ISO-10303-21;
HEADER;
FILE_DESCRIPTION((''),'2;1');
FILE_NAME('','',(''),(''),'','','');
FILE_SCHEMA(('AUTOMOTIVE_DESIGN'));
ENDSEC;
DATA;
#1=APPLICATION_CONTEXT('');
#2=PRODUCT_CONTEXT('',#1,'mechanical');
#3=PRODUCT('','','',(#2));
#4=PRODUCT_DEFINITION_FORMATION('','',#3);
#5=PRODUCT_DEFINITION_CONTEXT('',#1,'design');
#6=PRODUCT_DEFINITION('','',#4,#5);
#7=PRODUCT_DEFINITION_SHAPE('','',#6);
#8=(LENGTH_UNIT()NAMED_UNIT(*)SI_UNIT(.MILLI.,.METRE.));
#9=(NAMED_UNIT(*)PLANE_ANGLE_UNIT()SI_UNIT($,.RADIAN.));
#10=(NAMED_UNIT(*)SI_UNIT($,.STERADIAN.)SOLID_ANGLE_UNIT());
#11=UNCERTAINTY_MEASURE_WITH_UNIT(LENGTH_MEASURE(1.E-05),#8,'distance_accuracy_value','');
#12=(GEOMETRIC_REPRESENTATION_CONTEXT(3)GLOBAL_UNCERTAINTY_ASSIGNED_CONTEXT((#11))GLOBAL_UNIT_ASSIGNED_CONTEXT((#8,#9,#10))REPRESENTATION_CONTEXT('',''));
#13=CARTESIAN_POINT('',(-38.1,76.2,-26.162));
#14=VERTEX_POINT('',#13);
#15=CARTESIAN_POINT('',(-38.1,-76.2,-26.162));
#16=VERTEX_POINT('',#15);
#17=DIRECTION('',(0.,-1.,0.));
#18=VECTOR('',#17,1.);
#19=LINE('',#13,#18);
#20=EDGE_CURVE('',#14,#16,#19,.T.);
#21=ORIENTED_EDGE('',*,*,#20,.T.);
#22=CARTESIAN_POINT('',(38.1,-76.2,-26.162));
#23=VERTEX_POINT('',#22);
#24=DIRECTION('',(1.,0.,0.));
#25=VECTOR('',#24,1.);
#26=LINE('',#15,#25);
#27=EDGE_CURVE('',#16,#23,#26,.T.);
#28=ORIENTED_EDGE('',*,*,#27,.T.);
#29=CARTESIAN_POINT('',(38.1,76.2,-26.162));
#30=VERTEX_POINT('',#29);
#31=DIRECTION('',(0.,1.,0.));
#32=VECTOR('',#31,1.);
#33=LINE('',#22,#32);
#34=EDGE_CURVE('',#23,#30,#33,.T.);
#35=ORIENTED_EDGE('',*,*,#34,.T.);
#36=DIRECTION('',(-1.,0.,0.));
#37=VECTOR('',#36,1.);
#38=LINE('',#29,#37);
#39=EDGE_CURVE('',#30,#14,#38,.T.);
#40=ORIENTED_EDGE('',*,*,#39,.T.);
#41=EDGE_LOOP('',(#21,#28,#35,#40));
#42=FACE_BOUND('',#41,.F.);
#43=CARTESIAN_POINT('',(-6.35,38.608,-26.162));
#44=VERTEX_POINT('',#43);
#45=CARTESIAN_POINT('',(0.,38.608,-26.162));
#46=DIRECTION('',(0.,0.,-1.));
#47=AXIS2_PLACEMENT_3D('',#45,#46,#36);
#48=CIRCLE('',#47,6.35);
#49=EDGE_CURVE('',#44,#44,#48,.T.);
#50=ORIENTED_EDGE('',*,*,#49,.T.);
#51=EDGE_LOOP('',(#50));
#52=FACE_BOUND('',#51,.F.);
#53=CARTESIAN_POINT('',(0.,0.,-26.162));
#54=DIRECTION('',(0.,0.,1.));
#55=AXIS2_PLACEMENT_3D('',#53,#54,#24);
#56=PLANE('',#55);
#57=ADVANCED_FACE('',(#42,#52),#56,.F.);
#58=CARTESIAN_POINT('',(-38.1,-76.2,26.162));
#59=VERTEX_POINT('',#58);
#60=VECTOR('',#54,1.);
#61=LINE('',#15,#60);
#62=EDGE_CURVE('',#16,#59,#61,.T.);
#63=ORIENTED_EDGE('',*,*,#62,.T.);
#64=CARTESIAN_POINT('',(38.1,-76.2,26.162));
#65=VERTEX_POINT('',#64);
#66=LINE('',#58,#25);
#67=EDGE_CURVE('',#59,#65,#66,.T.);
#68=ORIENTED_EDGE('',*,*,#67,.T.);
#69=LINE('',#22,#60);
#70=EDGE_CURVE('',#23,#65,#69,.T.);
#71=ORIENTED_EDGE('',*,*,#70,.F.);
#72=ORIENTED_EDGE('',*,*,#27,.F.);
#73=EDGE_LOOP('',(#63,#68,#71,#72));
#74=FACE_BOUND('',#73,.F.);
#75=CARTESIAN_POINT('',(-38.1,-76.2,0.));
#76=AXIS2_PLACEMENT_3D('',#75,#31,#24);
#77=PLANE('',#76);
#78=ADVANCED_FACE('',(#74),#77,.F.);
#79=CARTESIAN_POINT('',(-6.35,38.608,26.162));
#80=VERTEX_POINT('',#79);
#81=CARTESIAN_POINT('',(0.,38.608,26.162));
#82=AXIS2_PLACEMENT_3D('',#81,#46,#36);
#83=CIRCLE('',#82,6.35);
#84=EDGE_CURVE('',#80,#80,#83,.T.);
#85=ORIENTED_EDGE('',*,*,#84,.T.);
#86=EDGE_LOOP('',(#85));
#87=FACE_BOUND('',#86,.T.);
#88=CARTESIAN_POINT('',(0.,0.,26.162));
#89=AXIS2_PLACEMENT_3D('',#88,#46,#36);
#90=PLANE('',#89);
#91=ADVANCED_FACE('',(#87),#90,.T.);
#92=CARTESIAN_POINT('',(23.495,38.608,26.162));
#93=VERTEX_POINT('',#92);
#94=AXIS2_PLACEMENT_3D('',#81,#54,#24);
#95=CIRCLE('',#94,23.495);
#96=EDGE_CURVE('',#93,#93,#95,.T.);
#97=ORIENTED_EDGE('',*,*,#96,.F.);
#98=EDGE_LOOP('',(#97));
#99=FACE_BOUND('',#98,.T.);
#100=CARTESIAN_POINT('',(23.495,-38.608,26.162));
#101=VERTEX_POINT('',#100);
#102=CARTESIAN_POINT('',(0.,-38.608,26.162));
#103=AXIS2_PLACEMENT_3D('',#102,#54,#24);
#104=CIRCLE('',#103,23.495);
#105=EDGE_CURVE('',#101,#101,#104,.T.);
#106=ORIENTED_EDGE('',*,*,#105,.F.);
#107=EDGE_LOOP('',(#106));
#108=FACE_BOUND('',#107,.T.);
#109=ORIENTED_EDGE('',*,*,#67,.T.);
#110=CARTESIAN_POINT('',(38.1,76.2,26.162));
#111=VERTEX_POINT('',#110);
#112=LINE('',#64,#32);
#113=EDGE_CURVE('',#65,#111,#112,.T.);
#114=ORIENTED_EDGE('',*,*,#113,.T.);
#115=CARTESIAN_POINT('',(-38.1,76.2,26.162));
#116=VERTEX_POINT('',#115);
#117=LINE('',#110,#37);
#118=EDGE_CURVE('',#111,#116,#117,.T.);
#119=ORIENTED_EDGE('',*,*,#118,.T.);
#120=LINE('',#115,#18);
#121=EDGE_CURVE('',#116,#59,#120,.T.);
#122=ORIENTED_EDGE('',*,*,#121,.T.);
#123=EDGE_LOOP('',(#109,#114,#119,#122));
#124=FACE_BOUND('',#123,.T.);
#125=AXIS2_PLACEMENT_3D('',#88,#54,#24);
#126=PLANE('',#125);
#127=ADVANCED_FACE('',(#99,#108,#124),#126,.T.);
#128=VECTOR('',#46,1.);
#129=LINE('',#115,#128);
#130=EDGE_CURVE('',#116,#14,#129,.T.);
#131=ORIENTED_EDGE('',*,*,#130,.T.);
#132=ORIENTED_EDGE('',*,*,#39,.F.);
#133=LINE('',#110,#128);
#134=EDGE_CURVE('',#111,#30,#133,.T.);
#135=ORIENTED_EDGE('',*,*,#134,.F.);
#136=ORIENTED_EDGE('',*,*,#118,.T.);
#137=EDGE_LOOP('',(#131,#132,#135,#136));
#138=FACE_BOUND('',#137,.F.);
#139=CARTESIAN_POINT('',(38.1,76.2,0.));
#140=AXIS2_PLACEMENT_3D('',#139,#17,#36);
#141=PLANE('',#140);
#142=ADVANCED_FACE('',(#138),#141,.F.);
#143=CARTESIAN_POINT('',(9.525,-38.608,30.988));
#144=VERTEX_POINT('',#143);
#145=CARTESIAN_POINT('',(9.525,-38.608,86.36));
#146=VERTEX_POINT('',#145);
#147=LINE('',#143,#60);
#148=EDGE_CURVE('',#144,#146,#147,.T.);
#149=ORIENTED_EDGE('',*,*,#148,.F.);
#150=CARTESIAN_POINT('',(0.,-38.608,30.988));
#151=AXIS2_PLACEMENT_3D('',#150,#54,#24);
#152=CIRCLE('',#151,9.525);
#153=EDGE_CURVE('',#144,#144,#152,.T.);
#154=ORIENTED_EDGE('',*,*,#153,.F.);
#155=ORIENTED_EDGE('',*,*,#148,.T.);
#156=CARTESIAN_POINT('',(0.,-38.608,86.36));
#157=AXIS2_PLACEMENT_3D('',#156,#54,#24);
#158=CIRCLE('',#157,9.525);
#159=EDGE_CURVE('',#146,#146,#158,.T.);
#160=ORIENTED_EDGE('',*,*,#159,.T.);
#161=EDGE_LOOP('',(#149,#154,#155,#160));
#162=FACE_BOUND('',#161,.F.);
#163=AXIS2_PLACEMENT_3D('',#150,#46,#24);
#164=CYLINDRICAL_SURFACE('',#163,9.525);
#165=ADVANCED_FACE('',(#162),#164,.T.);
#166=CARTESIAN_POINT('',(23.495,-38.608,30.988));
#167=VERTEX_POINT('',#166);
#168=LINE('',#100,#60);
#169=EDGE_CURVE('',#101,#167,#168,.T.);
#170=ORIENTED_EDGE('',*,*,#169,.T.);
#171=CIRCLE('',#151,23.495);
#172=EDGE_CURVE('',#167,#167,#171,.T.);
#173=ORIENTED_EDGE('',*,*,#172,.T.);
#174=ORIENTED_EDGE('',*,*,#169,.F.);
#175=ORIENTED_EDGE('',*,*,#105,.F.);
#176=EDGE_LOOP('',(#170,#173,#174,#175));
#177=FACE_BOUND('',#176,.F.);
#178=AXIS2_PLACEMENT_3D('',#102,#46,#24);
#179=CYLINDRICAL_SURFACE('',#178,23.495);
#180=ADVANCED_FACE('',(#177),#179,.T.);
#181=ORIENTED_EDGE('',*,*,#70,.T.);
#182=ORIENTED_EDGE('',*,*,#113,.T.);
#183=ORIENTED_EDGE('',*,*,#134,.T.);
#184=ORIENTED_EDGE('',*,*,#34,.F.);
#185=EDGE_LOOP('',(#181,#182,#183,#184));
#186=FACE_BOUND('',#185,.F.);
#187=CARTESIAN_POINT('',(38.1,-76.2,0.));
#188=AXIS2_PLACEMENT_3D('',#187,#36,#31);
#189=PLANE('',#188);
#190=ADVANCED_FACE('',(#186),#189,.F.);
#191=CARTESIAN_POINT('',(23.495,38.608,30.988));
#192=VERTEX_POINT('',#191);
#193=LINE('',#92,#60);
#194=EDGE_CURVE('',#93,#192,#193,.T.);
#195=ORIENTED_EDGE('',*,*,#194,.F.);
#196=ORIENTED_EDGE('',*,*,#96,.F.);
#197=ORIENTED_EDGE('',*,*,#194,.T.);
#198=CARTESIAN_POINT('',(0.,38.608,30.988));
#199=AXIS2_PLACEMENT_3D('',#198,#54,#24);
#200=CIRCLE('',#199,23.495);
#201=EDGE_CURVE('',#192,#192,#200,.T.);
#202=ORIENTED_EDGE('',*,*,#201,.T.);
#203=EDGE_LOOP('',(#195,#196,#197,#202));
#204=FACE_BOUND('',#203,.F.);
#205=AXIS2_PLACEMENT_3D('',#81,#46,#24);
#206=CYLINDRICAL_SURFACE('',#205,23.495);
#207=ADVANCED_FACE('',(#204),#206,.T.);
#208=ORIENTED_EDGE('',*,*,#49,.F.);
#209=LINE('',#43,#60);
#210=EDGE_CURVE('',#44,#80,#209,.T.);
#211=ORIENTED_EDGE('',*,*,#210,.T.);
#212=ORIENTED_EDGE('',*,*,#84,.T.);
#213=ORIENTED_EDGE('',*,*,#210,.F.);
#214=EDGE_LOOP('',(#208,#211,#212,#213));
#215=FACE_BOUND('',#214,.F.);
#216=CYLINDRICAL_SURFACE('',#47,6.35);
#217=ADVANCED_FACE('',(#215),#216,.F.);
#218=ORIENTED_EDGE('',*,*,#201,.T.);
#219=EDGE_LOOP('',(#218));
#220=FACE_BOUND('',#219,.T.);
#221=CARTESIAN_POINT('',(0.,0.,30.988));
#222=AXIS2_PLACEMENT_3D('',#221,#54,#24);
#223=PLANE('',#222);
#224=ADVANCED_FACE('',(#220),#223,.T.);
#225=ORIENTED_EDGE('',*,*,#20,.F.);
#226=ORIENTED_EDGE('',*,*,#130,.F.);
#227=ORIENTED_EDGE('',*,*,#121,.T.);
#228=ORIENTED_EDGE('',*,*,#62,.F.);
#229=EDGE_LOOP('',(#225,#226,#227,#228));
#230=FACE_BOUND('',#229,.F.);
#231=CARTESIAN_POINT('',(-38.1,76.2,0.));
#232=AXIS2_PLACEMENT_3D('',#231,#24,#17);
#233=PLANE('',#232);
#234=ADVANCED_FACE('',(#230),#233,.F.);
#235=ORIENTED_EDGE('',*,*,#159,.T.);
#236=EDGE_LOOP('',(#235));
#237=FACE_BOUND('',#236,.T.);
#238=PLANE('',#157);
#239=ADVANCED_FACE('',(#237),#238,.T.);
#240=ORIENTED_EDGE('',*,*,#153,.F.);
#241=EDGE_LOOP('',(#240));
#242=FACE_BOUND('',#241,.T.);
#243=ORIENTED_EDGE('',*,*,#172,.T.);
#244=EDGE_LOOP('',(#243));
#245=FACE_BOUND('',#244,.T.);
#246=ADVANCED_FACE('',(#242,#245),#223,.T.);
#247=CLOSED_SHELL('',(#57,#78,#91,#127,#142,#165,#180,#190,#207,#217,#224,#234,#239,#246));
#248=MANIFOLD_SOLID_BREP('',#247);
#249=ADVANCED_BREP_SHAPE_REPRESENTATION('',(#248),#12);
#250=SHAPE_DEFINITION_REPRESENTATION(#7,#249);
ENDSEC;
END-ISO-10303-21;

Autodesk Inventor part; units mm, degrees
ref_plane "XZ Plane" through (0, 0, 0) normal (0, 1, 0) x (-1, 0, 0)
ref_plane "XY Plane" through (0, 0, 0) normal (0, 0, 1) x (1, 0, 0)
sketch "Sketch1" plane through (0, 0, 0) normal (0, 0, 1) x (1, 0, 0)
  line L0 (-38.1, -76.2) -> (38.1, -76.2)
  line L1 (38.1, -76.2) -> (38.1, 76.2)
  line L2 (38.1, 76.2) -> (-38.1, 76.2)
  line L3 (-38.1, 76.2) -> (-38.1, -76.2)
  line L4 (-38.1, -76.2) -> (38.1, 76.2) construction
  line L5 (38.1, -76.2) -> (-38.1, 76.2) construction
  point P0 (0, 0)
  dimension "d0" = 76.2
  dimension "d1" = 152.4
extrude "Extrusion1" add sketch "Sketch1" along normal mid plane 52.324
sketch "Sketch2" plane through (0, 0, 26.162) normal (0, 0, 1) x (1, 0, 0)
  line L0 (-38.1, -76.2) -> (38.1, -76.2) projected
  line L1 (38.1, -76.2) -> (38.1, 76.2) projected
  line L2 (38.1, 76.2) -> (-38.1, 76.2) projected
  line L3 (-38.1, 76.2) -> (-38.1, -76.2) projected
  circle A0 centre (0, 38.608) radius 23.495
  line L4 (-46.8851, 0) -> (67.5058, 0) construction
  circle A1 centre (0, -38.608) radius 23.495
  point P0 (0, 0)
  dimension "d4" = 46.99
  dimension "d8" = 38.608
extrude "Extrusion3" add sketch "Sketch2" along normal blind 4.826 contours A0 | A1
sketch "Sketch4" plane through (0, -38.608, 30.988) normal (0, 0, 1) x (1, 0, 0)
  circle A0 centre (0, 0) radius 23.495 projected
  circle A1 centre (0, 0) radius 9.525
  point P0 (0, 38.608)
  dimension "d11" = 19.05
extrude "Extrusion4" add sketch "Sketch4" along normal blind 55.372 contours A1
sketch "Sketch5" plane through (0, 0, -26.162) normal (0, 0, -1) x (-1, 0, 0)
  circle A0 centre (0, 38.608) radius 23.495 projected
  circle A1 centre (0, 38.608) radius 6.35
  point P0 (0, 0)
  dimension "d14" = 12.7
extrude "Extrusion5" cut sketch "Sketch5" against normal blind 52.324 contours A1
properties part number "A28-400-G Gearbox" material "Aluminum 6061"
